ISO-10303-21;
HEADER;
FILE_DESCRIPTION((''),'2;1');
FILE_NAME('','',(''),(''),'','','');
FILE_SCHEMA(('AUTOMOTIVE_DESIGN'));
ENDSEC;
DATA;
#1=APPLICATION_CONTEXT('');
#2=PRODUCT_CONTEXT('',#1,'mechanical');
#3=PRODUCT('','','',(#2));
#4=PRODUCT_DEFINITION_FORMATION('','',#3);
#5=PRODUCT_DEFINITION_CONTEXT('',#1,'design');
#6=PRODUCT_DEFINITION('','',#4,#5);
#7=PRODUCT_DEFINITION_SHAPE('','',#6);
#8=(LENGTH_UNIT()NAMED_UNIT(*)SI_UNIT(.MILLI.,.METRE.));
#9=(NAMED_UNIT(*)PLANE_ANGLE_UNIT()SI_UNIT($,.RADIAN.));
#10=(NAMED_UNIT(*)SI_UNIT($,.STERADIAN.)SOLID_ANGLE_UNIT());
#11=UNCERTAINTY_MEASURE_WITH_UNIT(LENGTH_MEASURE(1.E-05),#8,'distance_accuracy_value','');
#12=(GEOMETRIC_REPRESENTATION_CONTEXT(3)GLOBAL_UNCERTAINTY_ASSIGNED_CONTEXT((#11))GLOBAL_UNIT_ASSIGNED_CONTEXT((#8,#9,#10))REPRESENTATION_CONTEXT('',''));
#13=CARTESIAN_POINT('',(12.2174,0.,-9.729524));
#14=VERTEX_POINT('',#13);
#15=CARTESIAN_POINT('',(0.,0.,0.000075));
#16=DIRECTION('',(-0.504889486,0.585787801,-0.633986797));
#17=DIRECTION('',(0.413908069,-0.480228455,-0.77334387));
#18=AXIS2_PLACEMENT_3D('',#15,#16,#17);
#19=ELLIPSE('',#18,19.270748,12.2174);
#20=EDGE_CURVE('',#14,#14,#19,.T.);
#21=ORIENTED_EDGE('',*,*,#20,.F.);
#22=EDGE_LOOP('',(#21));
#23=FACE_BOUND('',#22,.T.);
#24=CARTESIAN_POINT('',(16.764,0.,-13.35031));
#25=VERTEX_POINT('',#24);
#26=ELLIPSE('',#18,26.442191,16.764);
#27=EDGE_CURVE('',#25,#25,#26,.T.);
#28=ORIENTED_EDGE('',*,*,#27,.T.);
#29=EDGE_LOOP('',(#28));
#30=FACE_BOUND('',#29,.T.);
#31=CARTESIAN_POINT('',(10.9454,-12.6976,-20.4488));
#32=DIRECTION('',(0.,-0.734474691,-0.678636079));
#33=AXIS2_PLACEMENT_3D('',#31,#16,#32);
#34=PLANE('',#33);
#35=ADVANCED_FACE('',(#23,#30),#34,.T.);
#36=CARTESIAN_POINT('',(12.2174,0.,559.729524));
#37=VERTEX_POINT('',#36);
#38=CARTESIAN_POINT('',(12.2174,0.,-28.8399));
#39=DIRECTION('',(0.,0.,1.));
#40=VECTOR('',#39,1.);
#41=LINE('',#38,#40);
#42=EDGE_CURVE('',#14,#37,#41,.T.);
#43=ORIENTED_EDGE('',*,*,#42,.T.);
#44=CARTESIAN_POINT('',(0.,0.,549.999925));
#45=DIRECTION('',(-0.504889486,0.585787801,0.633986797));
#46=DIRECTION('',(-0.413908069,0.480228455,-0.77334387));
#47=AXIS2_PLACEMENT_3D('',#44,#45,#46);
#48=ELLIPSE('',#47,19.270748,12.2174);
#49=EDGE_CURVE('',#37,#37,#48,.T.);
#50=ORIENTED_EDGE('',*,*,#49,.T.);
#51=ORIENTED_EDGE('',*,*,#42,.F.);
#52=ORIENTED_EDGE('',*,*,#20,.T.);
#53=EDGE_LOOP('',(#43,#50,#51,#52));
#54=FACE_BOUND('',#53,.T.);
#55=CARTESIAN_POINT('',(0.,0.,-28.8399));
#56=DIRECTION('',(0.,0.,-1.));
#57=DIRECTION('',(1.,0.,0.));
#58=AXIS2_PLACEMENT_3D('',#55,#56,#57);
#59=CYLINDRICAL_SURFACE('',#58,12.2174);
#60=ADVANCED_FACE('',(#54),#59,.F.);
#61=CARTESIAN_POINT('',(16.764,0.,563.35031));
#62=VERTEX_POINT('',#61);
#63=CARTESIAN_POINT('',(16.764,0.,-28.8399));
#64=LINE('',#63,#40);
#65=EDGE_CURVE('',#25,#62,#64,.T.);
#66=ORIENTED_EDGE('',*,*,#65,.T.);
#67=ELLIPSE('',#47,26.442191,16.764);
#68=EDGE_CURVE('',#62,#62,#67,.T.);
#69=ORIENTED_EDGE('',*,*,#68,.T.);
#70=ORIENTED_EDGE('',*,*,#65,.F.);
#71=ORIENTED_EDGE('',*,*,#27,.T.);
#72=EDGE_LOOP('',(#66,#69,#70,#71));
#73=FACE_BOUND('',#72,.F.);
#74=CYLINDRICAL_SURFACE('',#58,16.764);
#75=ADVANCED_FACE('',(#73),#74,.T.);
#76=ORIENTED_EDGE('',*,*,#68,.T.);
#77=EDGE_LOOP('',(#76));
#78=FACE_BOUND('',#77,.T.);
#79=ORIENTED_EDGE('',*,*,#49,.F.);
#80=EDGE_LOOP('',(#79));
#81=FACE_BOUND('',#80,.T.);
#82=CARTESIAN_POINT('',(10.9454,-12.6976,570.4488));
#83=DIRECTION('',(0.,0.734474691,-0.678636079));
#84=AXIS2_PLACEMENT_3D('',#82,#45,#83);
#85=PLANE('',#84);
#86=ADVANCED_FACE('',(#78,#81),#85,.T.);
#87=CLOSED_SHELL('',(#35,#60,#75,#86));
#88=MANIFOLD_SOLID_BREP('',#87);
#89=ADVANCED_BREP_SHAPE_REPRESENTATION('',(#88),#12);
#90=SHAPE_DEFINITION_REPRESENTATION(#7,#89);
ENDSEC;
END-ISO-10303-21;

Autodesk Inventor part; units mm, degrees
ref_plane "Start Plane" through (0, 0, -28.8399) normal (0, 0, 1) x (1, 0, 0)
ref_plane "End Plane" through (0, 0, 578.8399) normal (0, 0, 1) x (1, 0, 0)
sketch "Sketch" plane through (0, 0, 0) normal (0, 0, 1) x (1, 0, 0)
  circle A0 centre (0, 0) radius 12.2174
  circle A1 centre (0, 0) radius 16.764
  dimension "d0" = 33.528
  dimension "d1" = 4.5466
extrude "Body" add sketch "Sketch" along normal up to surface (607.6797 mm away) from surface at -28.8399
sketch "Sketch3" plane through (0, 0, 0) normal (0, 0, 1) x (1, 0, 0)
  line L0 (0, 0) -> (10, 0)
ref_plane "Work Plane3" through (0, 0, 0) normal (0, -1, 0) x (1, 0, 0)
ref_plane "Work Plane4" through (10.9454, -12.6976, 570.4488) normal (-0.5049, 0.5858, 0.634) x (0.844, 0.181, 0.5049)
split "Split1" plane through (10.9454, -12.6976, 570.4488) removes the side toward (-0.5049, 0.5858, 0.634)
ref_plane "Work Plane5" through (10.9454, -12.6976, -20.4488) normal (-0.5049, 0.5858, -0.634) x (0.3034, 0.8081, 0.5049)
split "Split2" plane through (10.9454, -12.6976, -20.4488) removes the side toward (-0.5049, 0.5858, -0.634)
sketch "Sketch4" plane through (0, 0, 0) normal (0, -1, 0) x (1, 0, 0)
  line L0 (-2, -28.8399) -> (12, -28.8399) projected
  line L1 (-2, 578.8399) -> (12, 578.8399) projected
  dimension "d7" = 607.6798
equation "\"d0\" = G_H"
equation "\"d1\" = G_T"
equation "\"d2\" = G_L"
equation "\"G_H\" = 33.528"
equation "\"G_T\" = 4.5466"
equation "\"G_L\" = 590.89759"
equation "\"G_OFFSET_START\" = 28.83987"
equation "\"G_OFFSET_END\" = 28.83987"
equation "\"d4\" = -G_OFFSET_START"
equation "\"d5\" = G_OFFSET_END + B_L"
equation "\"B_L\" = 550"
properties part number "ANSI - 1 x 0.179 - 23.264" material "Steel, Mild"
